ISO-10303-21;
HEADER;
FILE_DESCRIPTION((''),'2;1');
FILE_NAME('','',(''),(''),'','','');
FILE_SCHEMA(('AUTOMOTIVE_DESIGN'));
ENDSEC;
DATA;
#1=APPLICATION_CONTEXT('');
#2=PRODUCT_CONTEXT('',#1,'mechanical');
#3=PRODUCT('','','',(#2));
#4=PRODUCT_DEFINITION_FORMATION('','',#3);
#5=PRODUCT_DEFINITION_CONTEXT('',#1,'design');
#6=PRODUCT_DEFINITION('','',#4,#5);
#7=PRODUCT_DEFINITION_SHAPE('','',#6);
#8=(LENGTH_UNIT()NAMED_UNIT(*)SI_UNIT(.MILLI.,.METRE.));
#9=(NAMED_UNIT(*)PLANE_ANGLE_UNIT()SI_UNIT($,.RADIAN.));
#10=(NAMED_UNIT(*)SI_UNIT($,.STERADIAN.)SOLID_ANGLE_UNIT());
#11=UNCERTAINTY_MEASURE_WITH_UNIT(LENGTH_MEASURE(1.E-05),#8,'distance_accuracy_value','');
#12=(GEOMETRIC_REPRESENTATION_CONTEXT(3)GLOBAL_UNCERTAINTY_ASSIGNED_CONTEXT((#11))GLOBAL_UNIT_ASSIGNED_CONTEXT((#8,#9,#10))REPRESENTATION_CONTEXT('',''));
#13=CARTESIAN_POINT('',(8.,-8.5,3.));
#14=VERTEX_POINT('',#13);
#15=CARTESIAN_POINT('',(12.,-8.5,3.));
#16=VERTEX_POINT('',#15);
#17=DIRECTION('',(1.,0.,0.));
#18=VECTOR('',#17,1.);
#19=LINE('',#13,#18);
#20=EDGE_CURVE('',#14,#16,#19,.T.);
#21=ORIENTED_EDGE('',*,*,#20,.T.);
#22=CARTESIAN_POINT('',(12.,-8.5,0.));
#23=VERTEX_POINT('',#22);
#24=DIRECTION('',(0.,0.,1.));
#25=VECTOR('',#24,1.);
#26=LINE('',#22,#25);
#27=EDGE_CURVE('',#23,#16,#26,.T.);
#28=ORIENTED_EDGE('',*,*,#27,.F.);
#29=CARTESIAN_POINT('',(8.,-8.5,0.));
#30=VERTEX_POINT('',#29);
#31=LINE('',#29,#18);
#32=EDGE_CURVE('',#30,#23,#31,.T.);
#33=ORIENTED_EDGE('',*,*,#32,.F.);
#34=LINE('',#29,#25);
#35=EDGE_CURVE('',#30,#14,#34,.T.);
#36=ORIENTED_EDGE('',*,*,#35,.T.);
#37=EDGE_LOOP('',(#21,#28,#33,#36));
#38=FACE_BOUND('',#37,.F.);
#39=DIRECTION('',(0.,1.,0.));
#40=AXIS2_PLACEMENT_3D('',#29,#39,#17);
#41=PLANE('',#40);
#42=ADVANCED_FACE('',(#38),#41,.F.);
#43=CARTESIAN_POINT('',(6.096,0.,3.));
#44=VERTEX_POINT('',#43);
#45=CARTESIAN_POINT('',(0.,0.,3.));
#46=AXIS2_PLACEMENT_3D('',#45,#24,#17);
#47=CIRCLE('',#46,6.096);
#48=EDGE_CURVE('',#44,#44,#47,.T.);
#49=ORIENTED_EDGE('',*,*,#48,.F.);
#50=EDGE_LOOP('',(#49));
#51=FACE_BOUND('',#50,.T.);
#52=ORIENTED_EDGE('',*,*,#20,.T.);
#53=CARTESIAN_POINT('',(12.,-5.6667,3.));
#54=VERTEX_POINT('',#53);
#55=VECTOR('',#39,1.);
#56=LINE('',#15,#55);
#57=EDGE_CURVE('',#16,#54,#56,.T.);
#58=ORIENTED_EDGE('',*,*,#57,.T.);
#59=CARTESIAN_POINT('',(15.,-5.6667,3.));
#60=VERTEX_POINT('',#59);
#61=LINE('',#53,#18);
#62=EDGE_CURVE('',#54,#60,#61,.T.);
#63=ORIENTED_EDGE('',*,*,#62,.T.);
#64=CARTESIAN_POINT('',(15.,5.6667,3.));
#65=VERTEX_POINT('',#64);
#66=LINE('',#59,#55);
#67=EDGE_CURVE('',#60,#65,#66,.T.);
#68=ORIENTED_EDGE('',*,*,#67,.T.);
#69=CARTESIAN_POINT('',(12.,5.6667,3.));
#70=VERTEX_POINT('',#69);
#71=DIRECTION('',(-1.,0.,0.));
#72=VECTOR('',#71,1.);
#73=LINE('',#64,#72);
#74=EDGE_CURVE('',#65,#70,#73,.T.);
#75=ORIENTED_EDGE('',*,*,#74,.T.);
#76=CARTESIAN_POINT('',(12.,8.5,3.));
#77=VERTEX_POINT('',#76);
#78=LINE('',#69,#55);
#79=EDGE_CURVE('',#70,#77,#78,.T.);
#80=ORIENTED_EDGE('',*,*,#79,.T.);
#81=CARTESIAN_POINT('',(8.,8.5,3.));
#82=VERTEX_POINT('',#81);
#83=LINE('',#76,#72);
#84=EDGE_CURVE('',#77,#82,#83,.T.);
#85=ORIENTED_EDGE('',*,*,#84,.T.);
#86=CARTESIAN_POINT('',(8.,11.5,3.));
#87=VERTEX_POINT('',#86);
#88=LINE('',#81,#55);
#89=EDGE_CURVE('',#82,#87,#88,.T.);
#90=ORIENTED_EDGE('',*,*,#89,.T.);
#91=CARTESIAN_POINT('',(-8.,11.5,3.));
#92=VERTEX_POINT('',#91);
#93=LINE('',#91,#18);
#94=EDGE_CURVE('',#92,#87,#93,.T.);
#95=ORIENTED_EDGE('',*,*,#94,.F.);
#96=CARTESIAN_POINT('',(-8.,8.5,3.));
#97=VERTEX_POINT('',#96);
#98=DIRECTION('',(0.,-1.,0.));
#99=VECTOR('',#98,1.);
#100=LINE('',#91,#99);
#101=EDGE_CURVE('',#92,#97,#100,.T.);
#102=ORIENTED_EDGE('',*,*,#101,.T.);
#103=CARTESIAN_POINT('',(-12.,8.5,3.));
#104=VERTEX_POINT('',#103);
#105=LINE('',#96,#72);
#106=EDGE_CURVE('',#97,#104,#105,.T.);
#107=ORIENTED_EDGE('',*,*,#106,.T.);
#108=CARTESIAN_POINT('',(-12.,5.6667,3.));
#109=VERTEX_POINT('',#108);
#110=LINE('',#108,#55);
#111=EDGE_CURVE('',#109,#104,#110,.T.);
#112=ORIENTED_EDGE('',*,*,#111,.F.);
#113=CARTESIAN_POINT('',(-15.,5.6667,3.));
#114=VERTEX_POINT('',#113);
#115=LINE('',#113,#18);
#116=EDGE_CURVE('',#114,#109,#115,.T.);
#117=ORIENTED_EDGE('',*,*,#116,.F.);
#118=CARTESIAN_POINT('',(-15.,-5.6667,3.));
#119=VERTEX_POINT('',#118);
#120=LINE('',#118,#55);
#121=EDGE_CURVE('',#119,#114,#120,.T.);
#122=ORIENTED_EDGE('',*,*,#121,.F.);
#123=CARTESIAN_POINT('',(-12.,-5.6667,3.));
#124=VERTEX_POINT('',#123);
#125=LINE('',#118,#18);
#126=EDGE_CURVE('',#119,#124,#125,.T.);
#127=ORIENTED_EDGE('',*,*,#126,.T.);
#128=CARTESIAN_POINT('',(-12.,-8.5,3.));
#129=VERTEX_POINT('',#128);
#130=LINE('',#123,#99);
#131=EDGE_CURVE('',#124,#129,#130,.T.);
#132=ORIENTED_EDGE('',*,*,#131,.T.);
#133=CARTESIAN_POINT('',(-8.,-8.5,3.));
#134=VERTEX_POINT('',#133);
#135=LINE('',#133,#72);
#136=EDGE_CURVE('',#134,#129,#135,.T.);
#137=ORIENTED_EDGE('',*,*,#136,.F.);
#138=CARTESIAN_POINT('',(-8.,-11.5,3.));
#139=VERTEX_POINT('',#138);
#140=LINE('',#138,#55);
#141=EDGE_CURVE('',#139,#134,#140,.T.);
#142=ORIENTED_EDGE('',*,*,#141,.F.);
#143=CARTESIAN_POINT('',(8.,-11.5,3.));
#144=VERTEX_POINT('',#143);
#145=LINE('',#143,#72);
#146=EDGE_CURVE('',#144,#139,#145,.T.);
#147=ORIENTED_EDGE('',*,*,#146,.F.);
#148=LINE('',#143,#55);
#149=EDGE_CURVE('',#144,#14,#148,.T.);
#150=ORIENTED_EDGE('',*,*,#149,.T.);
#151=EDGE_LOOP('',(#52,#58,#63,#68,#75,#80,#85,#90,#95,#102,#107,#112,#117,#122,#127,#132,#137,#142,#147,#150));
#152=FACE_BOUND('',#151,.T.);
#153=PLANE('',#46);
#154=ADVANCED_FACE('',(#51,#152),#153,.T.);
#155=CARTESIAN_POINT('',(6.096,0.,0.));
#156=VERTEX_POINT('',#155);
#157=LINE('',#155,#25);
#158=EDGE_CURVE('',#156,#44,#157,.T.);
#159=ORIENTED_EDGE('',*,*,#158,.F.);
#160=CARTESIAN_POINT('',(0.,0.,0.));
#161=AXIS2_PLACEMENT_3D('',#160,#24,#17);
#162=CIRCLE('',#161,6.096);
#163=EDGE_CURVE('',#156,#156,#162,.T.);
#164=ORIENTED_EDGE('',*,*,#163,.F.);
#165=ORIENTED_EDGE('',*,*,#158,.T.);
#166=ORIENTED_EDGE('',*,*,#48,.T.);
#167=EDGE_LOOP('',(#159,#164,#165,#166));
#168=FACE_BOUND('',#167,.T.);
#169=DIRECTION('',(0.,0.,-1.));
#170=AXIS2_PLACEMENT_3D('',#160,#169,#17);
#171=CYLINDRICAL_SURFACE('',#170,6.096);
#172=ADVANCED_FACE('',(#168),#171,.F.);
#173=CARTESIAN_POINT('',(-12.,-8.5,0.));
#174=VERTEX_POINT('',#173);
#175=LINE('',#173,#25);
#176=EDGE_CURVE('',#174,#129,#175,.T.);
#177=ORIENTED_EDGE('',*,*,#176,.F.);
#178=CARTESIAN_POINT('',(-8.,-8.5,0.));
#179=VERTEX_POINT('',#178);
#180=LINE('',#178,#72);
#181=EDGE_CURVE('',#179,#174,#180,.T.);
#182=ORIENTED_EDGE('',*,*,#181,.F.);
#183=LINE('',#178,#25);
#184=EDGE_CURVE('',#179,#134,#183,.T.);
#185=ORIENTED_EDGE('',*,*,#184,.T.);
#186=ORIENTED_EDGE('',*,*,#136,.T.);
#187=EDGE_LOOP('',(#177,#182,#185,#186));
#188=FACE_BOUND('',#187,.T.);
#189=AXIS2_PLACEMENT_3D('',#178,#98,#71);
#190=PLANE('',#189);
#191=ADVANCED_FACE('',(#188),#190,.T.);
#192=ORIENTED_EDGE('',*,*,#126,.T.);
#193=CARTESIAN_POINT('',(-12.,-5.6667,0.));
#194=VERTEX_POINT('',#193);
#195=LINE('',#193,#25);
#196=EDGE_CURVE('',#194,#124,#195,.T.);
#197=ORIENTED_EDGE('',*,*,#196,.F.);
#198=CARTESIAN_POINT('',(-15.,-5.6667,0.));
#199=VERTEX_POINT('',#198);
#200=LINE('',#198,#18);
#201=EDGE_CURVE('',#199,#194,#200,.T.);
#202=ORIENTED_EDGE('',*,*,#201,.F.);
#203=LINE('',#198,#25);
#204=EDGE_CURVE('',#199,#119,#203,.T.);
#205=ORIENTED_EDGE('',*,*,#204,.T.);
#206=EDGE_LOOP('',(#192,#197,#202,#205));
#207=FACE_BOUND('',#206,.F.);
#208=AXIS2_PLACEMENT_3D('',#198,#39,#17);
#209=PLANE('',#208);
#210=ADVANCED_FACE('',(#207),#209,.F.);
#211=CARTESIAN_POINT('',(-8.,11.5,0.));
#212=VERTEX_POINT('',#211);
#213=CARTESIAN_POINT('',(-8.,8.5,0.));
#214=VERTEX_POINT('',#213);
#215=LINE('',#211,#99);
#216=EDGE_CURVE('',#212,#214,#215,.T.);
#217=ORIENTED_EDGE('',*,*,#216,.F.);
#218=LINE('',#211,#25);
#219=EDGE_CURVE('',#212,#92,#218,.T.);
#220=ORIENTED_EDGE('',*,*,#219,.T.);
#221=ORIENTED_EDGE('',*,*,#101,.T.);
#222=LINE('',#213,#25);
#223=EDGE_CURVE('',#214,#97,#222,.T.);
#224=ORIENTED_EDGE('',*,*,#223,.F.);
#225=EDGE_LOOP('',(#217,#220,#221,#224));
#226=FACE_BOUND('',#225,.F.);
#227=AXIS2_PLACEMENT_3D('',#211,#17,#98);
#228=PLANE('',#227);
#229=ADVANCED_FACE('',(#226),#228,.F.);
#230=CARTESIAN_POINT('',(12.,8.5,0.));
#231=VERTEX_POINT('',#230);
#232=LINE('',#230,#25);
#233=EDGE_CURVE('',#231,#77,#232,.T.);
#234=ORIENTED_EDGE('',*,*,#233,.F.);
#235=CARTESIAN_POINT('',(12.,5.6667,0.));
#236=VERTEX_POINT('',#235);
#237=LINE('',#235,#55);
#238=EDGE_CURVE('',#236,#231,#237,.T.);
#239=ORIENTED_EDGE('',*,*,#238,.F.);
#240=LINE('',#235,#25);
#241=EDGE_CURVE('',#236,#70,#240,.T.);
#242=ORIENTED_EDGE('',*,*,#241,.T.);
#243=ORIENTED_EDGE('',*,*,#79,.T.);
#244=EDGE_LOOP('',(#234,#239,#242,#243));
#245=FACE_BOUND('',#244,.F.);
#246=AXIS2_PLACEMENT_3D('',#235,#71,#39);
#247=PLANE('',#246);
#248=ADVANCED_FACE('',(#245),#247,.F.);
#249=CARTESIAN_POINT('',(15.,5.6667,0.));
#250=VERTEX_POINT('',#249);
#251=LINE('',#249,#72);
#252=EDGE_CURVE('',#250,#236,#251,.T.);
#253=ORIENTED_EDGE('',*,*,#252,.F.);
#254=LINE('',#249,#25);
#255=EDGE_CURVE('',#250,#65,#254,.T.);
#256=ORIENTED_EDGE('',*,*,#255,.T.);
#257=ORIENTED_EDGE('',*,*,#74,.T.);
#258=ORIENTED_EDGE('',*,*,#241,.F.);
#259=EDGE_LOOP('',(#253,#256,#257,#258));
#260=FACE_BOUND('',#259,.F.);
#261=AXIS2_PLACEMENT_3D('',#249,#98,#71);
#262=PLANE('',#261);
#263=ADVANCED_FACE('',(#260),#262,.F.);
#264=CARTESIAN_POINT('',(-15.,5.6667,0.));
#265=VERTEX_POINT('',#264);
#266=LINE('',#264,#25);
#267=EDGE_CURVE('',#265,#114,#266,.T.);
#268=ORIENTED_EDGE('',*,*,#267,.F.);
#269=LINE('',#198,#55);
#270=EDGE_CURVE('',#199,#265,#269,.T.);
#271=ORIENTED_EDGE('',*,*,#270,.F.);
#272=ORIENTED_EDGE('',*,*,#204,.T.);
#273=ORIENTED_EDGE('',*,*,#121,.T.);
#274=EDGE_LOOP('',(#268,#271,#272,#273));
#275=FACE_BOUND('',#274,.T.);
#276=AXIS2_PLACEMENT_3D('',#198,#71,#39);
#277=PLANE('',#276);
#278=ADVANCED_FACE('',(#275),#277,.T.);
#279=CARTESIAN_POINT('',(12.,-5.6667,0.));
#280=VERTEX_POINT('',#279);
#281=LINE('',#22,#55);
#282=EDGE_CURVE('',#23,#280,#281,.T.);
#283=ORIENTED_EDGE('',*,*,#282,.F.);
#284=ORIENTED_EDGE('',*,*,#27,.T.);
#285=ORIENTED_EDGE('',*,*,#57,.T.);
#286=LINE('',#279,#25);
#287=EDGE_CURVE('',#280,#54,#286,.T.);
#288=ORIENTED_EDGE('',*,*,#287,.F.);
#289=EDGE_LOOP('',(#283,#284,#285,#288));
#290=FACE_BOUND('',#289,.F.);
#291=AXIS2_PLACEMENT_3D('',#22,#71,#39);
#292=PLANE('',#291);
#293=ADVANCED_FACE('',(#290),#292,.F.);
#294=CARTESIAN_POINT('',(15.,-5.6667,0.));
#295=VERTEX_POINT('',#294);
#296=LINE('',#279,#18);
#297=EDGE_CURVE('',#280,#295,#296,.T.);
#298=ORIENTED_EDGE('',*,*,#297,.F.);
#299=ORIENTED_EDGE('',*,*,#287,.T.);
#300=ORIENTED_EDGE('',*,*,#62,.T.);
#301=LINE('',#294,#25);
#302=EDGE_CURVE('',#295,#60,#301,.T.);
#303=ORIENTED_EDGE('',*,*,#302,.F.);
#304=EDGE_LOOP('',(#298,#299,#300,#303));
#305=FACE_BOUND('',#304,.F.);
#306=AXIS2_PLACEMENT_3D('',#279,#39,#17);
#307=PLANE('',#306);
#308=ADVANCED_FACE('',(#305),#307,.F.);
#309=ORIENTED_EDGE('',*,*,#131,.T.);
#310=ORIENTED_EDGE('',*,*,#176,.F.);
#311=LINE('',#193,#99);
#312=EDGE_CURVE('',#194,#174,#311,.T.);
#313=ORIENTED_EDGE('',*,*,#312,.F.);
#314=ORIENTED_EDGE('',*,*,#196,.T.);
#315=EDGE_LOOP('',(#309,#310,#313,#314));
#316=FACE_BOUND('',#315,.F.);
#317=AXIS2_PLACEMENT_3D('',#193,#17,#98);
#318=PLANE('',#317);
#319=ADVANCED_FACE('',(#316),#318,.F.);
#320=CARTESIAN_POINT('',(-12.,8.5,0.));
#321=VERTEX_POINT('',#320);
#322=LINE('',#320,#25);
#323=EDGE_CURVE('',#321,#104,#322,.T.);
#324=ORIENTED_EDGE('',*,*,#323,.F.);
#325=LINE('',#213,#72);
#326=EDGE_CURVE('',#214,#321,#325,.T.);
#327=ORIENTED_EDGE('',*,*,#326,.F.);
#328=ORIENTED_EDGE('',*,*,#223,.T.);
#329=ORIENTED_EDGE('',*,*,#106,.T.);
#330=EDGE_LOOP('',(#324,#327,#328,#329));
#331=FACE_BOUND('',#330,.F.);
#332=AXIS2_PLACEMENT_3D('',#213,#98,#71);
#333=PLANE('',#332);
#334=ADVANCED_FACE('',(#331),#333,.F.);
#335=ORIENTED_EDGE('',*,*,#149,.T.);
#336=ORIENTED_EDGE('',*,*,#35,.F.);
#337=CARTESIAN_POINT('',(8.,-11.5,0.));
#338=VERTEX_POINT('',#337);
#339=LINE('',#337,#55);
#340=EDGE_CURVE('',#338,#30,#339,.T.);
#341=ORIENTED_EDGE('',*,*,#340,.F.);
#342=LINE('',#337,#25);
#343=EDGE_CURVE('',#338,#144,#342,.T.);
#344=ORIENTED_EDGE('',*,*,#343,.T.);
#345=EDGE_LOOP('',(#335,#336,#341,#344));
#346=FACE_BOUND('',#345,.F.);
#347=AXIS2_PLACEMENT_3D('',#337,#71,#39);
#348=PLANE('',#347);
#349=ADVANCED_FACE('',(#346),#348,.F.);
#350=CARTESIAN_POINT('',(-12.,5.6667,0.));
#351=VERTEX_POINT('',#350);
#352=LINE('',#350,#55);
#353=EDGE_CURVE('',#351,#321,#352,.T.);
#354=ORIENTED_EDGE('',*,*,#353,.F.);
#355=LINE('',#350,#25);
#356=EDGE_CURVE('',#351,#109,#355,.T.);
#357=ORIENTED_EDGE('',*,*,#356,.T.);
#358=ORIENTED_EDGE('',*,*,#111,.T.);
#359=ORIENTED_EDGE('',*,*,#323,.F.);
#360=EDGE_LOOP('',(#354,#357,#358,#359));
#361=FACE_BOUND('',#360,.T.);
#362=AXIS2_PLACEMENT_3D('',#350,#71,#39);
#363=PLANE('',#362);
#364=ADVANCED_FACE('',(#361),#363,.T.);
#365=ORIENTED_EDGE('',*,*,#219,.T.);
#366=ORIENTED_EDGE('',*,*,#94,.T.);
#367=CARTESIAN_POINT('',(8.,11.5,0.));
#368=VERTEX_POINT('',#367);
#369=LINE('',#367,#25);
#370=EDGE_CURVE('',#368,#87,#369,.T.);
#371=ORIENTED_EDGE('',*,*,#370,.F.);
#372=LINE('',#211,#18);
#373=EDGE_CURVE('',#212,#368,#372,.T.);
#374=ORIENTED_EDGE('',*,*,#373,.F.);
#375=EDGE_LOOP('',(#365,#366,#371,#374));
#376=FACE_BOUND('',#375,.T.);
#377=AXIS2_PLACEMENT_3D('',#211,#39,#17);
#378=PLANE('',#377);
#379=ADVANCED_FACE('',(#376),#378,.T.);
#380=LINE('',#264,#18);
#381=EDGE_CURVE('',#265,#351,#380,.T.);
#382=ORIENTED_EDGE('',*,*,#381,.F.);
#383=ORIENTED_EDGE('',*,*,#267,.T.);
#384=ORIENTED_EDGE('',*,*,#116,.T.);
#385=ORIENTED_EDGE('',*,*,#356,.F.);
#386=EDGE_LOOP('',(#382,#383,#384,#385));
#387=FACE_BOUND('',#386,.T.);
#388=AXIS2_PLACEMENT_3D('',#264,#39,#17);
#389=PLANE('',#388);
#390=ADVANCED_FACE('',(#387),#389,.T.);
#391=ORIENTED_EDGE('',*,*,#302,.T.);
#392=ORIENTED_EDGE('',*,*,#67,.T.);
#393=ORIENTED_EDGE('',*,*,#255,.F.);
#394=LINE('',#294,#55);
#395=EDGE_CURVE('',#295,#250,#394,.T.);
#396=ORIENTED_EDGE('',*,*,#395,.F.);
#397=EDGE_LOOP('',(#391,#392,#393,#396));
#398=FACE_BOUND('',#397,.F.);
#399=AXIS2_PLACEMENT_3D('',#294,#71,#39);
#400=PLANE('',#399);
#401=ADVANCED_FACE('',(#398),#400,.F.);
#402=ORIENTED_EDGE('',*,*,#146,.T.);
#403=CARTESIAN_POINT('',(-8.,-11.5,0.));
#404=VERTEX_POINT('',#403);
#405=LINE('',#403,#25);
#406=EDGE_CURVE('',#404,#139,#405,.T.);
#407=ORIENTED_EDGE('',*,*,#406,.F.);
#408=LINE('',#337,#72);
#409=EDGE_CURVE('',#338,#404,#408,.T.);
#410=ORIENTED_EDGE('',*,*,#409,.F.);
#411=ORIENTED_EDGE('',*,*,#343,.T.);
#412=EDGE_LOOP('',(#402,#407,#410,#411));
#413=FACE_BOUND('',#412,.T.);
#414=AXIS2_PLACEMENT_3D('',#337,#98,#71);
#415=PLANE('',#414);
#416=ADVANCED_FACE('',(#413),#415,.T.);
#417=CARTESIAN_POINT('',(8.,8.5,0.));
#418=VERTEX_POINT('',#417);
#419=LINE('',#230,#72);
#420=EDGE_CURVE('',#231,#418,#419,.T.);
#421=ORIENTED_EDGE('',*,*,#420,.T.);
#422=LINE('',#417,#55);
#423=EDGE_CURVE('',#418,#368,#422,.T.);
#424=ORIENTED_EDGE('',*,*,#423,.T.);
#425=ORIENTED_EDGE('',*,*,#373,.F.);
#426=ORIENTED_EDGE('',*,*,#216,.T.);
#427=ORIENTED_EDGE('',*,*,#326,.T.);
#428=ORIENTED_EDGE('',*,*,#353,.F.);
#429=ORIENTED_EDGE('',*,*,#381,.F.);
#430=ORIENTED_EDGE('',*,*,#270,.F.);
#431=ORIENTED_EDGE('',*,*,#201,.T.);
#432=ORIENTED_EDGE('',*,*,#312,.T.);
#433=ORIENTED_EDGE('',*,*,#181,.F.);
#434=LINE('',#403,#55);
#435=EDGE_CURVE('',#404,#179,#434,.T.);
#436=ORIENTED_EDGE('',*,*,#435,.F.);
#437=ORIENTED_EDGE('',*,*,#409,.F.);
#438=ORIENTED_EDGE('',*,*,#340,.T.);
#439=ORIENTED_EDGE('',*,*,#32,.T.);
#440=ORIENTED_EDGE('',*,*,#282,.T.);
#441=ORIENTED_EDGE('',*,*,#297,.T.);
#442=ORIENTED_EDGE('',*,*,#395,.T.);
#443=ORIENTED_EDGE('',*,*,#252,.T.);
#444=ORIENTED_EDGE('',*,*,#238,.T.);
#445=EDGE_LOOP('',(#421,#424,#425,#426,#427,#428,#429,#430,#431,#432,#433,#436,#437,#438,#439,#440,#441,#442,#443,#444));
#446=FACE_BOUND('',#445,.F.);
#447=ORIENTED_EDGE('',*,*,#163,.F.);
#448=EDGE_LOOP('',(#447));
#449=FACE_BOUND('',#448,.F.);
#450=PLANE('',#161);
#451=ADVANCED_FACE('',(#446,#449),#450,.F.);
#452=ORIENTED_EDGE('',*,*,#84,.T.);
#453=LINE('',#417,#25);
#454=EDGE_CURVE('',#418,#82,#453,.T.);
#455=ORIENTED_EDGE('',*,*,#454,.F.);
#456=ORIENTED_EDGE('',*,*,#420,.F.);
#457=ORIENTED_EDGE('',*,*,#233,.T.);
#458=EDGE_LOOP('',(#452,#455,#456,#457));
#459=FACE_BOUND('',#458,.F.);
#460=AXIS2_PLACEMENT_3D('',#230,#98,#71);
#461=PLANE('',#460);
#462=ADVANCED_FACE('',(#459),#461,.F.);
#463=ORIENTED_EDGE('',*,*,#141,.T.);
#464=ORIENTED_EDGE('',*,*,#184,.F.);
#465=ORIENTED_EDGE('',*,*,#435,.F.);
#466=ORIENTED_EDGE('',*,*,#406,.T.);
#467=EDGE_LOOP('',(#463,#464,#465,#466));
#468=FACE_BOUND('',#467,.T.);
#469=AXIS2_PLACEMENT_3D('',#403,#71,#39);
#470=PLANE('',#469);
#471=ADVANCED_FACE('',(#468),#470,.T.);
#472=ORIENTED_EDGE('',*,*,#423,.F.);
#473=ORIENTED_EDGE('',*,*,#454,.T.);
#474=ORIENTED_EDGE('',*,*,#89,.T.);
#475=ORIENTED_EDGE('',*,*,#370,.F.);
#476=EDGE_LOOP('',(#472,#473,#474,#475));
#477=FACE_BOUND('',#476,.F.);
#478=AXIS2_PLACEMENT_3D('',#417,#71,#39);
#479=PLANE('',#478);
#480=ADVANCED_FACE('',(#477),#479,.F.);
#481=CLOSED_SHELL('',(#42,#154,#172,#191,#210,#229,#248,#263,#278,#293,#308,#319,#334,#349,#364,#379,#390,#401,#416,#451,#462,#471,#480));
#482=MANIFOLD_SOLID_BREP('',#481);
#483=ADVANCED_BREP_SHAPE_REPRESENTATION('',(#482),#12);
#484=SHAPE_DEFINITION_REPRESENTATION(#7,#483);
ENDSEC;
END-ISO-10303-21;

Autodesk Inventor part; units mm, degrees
ref_plane "YZ Plane" through (0, 0, 0) normal (1, 0, 0) x (0, 1, 0)
ref_plane "XZ Plane" through (0, 0, 0) normal (0, 1, 0) x (-1, 0, 0)
ref_plane "XY Plane" through (0, 0, 0) normal (0, 0, 1) x (1, 0, 0)
sketch "Sketch1" plane through (0, 0, 0) normal (0, 0, 1) x (1, 0, 0)
  circle A0 centre (0, 0) radius 6.096
  line L0 (15, 5.6667) -> (12, 5.6667)
  line L1 (12, 5.6667) -> (12, 8.5)
  line L2 (12, -8.5) -> (12, -5.6667)
  line L3 (12, -5.6667) -> (15, -5.6667)
  line L4 (-8, -11.5) -> (-8, -8.5)
  line L5 (-8, -8.5) -> (-12, -8.5)
  line L6 (8, -11.5) -> (8, -8.5)
  line L7 (8, -8.5) -> (12, -8.5)
  line L8 (-15, -5.6667) -> (-12, -5.6667)
  line L9 (-12, -5.6667) -> (-12, -8.5)
  line L10 (-15, 5.6667) -> (-12, 5.6667)
  line L11 (-12, 5.6667) -> (-12, 8.5)
  line L12 (-8, 11.5) -> (-8, 8.5)
  line L13 (-8, 8.5) -> (-12, 8.5)
  line L14 (12, 8.5) -> (8, 8.5)
  line L15 (8, 8.5) -> (8, 11.5)
  line L16 (-8, 11.5) -> (8, 11.5)
  line L17 (-15, -5.6667) -> (-15, 5.6667)
  line L18 (8, -11.5) -> (-8, -11.5)
  line L19 (15, -5.6667) -> (15, 5.6667)
  line L20 (-20.9424, 0) -> (31.3224, 0) construction
  line L21 (0, 16.7256) -> (0, -15.9648) construction
  dimension "d0" = 12.192
  dimension "d3" = 3
  dimension "d5" = 3
  dimension "d6" = 3
  dimension "d7" = 11.3333
  dimension "d9" = 16
  dimension "d16" = 3
  dimension "d17" = 24
  dimension "d18" = 24
  dimension "d19" = 17
extrude "Extrusion1" add sketch "Sketch1" along normal blind 3
equation "\"d7\" = 0.666667 * d19"
equation "\"d9\" = 0.666667 * d17"
properties part number "Camera-Holder_Bearing-Ring-Outer-Right"
